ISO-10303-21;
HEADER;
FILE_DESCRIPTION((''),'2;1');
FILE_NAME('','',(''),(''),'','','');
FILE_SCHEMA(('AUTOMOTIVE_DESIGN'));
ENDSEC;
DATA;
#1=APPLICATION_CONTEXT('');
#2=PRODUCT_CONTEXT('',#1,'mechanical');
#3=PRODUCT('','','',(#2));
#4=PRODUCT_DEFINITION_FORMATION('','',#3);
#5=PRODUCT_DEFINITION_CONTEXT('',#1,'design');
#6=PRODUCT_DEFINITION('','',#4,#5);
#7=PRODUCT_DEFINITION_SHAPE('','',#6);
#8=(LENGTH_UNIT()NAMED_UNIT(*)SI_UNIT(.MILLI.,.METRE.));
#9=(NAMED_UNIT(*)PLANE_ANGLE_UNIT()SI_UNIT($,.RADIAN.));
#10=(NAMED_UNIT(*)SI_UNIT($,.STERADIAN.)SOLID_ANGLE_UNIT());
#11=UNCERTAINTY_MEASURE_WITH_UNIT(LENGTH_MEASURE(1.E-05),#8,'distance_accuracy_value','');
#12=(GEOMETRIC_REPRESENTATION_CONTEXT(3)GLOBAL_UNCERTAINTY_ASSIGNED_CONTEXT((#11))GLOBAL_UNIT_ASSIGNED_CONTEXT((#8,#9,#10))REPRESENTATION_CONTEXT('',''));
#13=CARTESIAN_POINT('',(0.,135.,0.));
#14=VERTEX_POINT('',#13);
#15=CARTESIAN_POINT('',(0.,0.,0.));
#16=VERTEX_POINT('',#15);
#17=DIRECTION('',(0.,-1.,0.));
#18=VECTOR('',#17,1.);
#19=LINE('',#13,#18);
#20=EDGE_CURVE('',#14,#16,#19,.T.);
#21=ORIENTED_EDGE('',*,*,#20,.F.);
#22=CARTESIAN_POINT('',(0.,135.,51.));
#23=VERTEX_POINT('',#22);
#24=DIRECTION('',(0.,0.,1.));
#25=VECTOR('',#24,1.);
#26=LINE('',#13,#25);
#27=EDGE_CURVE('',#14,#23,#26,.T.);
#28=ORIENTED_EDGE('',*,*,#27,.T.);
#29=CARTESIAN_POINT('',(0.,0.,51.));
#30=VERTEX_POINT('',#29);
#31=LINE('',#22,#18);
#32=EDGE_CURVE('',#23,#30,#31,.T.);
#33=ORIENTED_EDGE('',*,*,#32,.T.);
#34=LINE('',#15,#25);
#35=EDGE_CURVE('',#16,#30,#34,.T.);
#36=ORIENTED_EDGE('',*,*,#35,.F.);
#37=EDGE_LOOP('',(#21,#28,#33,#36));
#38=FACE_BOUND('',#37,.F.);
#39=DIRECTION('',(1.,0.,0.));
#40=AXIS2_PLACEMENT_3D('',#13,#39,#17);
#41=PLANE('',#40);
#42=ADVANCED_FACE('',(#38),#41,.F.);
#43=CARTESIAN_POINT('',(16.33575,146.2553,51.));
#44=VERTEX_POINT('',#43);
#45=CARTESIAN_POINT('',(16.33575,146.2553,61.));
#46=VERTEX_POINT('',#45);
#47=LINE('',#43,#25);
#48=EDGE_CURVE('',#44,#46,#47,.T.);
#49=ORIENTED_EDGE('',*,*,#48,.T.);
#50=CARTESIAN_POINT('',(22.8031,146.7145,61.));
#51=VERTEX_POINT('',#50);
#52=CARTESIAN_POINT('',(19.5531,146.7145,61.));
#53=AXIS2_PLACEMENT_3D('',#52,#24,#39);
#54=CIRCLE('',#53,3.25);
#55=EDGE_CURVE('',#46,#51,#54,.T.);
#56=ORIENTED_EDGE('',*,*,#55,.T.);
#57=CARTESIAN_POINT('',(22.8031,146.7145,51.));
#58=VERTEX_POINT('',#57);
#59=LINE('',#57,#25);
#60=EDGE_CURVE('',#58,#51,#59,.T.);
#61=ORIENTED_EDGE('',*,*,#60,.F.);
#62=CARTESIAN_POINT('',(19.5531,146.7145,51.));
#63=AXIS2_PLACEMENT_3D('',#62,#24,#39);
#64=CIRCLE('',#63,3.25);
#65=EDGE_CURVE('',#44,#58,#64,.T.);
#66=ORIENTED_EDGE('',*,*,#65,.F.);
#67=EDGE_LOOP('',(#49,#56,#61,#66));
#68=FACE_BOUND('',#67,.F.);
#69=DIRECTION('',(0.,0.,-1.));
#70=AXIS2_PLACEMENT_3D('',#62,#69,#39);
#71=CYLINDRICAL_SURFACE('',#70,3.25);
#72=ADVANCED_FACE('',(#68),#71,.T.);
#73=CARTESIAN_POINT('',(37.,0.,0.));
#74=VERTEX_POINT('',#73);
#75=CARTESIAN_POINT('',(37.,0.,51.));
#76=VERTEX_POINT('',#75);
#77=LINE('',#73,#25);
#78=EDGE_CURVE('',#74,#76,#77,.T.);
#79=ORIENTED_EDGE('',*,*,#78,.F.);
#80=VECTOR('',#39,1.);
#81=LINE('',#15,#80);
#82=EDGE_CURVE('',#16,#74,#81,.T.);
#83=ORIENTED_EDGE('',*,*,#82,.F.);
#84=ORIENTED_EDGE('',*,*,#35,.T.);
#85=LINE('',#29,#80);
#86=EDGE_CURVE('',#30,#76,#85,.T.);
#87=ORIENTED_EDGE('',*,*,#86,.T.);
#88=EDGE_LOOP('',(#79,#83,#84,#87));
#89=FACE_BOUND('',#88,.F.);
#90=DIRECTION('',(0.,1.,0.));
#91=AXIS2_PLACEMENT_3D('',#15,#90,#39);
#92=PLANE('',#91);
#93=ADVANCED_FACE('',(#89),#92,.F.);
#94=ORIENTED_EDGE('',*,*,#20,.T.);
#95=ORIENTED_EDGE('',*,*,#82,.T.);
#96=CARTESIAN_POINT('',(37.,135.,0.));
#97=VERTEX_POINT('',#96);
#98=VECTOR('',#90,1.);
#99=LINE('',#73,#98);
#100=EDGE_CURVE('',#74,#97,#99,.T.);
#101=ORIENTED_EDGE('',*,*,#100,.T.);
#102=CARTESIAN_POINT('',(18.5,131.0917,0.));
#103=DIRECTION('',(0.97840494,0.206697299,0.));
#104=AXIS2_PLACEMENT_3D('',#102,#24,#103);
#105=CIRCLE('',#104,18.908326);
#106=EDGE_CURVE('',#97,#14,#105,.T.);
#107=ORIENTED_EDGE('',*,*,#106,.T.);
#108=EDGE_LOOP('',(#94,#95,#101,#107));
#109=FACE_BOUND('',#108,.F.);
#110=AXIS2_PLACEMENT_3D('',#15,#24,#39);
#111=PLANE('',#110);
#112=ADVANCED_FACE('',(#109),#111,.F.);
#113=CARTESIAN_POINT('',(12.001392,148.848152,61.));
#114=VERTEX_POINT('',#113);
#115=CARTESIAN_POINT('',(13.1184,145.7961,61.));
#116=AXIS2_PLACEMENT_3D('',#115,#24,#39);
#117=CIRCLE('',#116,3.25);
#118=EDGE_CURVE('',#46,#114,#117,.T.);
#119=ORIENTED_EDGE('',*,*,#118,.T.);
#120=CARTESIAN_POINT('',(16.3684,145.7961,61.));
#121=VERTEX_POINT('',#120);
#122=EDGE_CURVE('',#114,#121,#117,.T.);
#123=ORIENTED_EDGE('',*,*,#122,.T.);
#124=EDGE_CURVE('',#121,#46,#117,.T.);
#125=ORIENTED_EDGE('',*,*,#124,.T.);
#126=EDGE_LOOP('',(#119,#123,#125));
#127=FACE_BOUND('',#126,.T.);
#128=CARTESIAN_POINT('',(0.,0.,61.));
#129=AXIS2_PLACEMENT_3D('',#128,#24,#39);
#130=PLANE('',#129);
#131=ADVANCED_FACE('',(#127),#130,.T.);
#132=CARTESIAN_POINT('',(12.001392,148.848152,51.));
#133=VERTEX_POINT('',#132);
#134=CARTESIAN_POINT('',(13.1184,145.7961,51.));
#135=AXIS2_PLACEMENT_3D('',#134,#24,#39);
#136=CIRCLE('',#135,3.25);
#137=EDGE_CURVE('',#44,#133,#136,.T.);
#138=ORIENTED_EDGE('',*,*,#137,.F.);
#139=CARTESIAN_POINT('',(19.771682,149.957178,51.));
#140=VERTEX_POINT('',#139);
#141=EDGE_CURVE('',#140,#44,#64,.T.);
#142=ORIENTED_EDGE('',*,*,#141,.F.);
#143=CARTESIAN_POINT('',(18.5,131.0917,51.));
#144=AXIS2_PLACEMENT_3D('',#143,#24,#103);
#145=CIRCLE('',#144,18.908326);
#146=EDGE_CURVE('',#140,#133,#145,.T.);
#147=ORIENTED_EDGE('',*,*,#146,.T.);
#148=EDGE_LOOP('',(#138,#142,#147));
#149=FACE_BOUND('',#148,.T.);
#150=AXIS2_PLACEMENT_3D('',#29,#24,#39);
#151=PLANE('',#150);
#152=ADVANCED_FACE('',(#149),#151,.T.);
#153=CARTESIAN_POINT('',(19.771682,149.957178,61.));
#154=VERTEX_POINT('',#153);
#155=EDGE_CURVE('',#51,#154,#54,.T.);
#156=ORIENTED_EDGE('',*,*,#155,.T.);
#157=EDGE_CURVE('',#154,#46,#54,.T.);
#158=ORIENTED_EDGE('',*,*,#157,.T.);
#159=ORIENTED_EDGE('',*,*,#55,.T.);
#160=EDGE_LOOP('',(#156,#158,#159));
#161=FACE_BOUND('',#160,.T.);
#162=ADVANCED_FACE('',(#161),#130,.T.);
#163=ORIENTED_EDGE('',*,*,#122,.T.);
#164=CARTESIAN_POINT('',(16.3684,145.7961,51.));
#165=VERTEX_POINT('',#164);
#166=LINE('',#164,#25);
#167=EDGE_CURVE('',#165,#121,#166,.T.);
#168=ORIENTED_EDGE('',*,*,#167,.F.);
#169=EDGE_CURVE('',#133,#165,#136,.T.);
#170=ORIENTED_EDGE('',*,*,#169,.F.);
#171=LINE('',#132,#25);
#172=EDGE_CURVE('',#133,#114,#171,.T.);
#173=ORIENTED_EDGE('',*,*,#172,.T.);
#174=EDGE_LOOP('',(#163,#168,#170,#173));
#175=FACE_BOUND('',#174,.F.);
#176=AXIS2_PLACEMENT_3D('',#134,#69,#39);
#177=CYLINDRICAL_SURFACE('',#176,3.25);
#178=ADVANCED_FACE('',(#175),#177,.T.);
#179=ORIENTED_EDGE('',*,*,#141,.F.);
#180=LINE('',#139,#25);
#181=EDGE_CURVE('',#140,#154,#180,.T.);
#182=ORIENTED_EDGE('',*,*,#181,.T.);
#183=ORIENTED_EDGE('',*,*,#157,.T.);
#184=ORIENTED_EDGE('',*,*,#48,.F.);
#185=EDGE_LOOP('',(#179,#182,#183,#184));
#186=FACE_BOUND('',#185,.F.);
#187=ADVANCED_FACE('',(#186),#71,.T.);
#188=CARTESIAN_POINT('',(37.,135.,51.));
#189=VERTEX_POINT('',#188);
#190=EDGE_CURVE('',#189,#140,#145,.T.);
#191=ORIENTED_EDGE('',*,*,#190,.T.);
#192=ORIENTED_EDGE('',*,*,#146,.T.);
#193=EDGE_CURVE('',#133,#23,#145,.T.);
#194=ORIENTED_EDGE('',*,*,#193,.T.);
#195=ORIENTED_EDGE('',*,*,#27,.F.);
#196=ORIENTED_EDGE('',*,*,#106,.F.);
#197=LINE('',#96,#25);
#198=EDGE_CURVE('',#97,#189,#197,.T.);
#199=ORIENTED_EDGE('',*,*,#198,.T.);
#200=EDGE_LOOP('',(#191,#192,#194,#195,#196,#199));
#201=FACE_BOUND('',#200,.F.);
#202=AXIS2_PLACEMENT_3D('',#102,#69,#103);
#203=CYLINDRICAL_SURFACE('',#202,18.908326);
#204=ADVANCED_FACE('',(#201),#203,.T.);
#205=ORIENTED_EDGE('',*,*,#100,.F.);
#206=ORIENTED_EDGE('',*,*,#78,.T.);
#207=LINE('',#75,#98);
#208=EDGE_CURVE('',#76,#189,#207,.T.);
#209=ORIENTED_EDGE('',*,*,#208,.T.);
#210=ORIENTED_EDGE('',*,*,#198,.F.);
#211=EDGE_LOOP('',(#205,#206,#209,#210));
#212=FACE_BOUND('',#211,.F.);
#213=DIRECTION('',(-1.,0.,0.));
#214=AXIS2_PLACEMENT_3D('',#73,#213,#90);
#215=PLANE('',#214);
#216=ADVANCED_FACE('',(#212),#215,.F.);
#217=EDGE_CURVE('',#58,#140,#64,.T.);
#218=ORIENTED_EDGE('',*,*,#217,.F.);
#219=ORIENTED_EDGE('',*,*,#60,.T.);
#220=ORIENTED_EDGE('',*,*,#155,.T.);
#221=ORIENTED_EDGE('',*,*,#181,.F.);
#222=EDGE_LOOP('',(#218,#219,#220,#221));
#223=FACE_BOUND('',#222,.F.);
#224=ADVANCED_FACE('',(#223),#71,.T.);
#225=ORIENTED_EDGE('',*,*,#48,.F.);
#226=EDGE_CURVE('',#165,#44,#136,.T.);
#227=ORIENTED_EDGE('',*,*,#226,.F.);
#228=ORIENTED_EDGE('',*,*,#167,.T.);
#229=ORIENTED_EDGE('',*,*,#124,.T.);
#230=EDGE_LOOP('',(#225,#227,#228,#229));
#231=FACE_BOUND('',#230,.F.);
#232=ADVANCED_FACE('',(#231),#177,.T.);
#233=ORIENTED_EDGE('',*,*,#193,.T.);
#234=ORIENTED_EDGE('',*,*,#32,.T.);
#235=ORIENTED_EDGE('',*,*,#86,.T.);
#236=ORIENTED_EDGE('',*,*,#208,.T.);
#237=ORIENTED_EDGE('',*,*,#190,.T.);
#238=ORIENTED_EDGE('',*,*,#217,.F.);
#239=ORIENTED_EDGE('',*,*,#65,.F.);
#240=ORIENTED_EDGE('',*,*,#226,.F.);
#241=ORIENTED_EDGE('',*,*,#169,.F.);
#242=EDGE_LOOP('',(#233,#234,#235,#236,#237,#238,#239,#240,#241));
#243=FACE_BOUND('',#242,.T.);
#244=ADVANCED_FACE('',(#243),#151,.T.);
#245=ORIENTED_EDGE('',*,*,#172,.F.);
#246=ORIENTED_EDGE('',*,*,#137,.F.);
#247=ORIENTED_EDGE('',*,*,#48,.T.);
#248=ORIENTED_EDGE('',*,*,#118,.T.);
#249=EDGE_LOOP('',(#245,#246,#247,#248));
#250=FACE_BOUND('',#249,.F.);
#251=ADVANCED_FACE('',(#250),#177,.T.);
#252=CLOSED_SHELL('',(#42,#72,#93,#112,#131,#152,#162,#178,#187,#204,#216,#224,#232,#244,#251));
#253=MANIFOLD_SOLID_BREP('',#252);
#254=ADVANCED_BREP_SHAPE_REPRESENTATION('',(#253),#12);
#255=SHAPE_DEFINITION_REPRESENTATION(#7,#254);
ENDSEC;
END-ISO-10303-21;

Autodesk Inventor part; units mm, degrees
ref_plane "YZ Plane" through (0, 0, 0) normal (1, 0, 0) x (0, 1, 0)
ref_plane "XZ Plane" through (0, 0, 0) normal (0, 1, 0) x (-1, 0, 0)
ref_plane "XY Plane" through (0, 0, 0) normal (0, 0, 1) x (1, 0, 0)
sketch "スケッチ1" plane through (0, 0, 0) normal (0, 0, 1) x (1, 0, 0)
  line L0 (0, 0) -> (37, 0)
  line L1 (37, 0) -> (37, 135)
  line L2 (0, 135) -> (0, 0)
  arc A0 (37, 135) -> (0, 135) centre (18.5, 131.0917) ccw
  point P0 (18.5, 150)
  dimension "d0" = 37
  dimension "d1" = 135
extrude "押し出し1" add sketch "スケッチ1" along normal blind 51
sketch "スケッチ2" plane through (0, 0, 51) normal (0, 0, 1) x (1, 0, 0)
  circle A0 centre (13.1184, 145.7961) radius 3.25
  circle A1 centre (19.5531, 146.7145) radius 3.25
  arc A2 (37, 135) -> (0, 135) centre (18.5, 131.0917) ccw projected
  point P0 (0, 0)
  dimension "d5" = 6.5
  dimension "d6" = 6.5
extrude "押し出し2" add sketch "スケッチ2" along normal blind 10 contours A0 | A1
properties part number "turnigy_sa"
